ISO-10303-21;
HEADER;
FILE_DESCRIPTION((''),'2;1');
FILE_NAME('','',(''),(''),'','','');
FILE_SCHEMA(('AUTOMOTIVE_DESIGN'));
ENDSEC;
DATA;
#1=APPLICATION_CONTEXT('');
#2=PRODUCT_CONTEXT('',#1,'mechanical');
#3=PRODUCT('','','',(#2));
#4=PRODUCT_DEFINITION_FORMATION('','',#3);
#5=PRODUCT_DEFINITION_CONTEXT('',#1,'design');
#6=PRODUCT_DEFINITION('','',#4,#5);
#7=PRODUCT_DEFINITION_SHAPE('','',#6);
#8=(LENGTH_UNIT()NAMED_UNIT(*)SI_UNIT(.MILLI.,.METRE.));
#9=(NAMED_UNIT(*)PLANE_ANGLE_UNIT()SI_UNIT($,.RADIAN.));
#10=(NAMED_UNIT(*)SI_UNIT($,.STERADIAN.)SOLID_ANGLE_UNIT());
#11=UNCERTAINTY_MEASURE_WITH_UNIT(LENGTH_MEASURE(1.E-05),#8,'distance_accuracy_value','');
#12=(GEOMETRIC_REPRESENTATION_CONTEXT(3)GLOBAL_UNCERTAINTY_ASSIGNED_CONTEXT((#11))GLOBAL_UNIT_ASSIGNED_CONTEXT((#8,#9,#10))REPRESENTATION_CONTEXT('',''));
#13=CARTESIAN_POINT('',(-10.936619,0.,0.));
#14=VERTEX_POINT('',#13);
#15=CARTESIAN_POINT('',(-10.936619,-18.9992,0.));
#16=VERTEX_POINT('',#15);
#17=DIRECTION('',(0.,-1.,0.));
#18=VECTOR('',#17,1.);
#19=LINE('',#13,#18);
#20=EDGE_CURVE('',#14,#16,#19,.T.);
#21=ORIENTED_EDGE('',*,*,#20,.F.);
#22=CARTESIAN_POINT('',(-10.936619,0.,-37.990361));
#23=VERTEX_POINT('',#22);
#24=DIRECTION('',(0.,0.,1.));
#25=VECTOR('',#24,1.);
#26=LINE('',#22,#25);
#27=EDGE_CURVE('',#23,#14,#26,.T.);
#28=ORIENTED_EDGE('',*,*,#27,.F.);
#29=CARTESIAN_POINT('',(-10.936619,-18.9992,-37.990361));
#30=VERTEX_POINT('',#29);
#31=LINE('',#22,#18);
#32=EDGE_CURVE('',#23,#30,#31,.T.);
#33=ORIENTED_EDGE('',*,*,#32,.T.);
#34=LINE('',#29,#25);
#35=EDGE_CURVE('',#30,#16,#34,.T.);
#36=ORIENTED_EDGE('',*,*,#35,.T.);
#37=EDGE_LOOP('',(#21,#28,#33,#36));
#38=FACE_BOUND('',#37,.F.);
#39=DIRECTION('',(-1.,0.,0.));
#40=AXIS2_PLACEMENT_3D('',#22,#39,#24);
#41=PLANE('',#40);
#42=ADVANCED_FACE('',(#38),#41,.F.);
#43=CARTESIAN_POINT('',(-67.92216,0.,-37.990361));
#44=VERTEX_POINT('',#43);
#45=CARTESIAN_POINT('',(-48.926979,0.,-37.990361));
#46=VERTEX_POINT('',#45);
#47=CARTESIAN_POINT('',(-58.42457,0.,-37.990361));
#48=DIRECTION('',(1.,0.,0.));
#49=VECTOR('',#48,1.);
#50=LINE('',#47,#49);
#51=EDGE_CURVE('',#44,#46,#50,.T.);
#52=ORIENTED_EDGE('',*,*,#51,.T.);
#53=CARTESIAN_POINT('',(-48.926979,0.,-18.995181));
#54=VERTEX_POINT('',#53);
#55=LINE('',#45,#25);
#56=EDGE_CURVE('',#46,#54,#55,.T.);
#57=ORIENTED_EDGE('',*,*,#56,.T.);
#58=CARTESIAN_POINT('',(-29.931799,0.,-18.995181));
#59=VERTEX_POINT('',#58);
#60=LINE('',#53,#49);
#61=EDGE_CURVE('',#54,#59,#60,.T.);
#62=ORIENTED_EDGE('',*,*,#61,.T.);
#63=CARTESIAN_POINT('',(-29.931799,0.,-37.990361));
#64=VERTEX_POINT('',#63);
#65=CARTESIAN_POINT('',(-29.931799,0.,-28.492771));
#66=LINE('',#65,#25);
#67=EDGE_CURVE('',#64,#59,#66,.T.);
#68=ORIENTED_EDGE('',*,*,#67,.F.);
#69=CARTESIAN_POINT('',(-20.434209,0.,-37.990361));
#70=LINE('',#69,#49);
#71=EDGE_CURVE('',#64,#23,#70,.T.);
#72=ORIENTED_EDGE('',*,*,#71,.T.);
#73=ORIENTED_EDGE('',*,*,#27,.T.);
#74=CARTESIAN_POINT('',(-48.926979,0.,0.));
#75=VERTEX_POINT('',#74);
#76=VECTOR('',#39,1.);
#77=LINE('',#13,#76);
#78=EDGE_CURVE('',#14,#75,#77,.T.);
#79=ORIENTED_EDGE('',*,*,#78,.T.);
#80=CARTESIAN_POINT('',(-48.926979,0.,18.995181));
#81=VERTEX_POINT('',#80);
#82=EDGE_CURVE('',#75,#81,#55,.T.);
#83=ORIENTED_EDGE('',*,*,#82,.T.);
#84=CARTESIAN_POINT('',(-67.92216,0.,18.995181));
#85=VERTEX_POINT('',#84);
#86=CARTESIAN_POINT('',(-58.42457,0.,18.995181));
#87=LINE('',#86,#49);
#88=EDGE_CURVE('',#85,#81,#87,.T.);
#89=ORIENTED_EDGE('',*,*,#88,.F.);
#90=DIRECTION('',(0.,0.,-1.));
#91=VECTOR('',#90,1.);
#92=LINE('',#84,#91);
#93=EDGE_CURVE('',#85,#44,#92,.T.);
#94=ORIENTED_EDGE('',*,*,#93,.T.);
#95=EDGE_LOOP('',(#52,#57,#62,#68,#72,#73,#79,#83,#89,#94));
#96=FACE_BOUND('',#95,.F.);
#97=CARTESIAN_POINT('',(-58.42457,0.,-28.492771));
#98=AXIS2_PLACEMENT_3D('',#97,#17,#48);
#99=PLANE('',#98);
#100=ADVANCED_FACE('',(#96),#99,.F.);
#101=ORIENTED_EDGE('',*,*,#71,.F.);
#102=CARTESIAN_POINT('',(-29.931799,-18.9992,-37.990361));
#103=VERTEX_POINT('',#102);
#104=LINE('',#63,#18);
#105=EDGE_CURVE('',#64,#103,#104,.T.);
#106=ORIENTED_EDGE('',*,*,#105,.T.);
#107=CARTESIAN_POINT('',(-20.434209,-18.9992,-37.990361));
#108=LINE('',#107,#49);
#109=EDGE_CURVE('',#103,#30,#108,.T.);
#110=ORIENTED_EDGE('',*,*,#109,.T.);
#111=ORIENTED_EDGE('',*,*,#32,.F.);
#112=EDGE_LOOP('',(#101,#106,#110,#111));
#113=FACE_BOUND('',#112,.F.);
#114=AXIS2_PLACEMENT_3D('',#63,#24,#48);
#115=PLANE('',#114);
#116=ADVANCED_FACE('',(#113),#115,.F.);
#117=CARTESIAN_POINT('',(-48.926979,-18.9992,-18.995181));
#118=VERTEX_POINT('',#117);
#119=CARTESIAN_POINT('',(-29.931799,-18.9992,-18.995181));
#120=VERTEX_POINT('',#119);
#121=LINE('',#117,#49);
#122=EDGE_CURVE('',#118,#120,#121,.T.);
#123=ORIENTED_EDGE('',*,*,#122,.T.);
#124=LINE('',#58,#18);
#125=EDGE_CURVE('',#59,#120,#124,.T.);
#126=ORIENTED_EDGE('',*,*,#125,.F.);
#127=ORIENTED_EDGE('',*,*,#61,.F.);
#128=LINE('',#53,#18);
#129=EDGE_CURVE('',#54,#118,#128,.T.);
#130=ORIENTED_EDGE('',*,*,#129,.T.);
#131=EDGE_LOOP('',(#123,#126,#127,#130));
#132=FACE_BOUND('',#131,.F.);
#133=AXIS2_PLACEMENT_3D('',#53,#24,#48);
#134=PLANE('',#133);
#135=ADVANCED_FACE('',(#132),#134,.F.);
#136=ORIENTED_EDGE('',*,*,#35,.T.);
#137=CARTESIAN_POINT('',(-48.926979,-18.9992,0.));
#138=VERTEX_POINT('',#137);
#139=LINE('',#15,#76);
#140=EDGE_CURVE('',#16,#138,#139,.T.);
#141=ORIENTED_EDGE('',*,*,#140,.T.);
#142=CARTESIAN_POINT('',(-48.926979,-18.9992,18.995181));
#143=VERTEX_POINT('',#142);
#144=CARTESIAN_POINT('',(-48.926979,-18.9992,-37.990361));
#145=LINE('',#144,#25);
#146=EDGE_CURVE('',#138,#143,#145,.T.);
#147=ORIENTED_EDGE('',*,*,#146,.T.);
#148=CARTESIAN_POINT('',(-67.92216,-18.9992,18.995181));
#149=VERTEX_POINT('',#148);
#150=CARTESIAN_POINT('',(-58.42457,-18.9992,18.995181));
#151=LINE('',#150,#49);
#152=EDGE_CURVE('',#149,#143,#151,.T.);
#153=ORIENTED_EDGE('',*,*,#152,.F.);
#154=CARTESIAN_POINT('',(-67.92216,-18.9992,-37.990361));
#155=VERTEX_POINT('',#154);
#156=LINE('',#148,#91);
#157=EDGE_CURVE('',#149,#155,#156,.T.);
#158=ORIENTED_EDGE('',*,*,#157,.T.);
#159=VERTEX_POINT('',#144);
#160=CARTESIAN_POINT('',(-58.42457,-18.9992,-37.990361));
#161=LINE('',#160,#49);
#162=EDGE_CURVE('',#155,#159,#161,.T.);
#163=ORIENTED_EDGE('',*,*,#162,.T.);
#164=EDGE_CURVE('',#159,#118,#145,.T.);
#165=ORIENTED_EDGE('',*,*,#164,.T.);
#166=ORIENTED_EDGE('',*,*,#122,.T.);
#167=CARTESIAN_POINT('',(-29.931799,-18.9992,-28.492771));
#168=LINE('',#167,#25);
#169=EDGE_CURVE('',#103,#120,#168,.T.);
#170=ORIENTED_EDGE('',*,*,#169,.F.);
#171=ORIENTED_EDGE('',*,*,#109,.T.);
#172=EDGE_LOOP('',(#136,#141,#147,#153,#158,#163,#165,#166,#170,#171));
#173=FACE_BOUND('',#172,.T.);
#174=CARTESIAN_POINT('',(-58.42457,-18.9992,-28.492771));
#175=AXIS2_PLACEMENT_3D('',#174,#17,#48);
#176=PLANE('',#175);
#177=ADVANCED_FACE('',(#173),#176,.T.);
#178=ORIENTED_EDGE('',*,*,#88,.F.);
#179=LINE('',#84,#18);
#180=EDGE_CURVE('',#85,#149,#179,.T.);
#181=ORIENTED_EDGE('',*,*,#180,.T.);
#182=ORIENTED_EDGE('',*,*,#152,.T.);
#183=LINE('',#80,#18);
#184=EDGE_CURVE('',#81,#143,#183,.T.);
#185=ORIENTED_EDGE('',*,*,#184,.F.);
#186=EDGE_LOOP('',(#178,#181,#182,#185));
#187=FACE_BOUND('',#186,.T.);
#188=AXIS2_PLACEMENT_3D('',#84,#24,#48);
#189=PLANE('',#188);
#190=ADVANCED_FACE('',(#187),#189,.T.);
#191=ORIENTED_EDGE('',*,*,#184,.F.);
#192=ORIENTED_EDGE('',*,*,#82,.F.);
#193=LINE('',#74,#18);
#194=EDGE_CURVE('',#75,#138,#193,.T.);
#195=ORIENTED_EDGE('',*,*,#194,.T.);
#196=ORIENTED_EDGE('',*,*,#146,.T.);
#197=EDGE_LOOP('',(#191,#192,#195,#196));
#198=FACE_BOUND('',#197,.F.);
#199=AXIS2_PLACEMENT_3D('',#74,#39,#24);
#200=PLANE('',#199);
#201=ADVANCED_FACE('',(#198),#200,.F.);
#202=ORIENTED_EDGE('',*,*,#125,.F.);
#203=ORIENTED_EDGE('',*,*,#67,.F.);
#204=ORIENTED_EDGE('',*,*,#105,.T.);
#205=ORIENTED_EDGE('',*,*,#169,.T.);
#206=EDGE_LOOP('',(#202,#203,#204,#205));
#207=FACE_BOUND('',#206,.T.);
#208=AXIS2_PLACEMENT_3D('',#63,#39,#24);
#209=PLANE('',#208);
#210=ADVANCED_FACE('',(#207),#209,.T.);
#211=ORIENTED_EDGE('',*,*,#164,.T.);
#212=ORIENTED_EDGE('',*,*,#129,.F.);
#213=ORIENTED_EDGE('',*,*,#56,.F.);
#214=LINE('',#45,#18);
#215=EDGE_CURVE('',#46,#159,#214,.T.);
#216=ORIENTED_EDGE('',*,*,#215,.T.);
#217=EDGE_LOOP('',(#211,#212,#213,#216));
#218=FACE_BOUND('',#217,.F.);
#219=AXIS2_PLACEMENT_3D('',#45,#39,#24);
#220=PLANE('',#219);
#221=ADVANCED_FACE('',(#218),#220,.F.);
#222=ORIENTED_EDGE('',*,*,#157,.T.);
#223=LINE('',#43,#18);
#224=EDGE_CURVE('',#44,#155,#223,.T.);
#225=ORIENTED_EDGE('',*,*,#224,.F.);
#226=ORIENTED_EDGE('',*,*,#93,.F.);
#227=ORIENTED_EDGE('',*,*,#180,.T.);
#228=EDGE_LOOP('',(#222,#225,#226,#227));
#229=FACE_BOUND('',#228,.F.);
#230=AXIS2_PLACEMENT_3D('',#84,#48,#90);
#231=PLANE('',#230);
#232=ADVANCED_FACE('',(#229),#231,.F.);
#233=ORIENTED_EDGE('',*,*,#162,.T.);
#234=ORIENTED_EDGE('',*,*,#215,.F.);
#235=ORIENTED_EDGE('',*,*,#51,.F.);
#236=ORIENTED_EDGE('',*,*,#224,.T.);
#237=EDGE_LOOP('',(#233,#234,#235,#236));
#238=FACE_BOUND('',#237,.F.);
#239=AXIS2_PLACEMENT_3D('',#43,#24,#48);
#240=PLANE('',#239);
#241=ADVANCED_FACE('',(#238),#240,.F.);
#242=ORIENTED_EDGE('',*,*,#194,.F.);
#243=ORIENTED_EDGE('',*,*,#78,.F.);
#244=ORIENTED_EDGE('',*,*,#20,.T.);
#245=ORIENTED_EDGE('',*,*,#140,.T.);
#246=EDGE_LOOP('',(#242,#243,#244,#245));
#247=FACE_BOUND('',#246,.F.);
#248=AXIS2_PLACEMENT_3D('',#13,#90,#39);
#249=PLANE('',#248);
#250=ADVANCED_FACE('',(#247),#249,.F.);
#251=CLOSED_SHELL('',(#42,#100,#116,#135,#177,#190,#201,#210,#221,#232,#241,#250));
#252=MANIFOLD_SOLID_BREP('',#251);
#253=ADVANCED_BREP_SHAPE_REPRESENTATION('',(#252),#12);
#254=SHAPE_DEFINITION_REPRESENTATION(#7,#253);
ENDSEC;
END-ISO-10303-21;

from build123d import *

# Parameters (mm, degrees)
F0_W     = 18.9951807261
F0_H     = 18.9951807261
F0_W_2   = 18.9951797947
F1_DEPTH = 18.9992


with BuildPart() as f1:
    # F0 (on Front) → F1 (new body)
    with BuildSketch(Plane.XZ):
        with Locations((-58.4245696664, -28.4927710891)):
            Rectangle(F0_W, F0_H)
        with Locations((-58.4245696664, 9.497590363)):
            Rectangle(F0_W, F0_H)
        with Locations((-58.4245696664, -9.497590363)):
            Rectangle(F0_W, F0_H)
        with Locations((-39.4293889403, -9.497590363)):
            Rectangle(F0_W, F0_H)
        with Locations((-20.4342086799, -9.497590363)):
            Rectangle(F0_W_2, F0_H)
        with Locations((-20.4342086799, -28.4927710891)):
            Rectangle(F0_W_2, F0_H)
    extrude(amount=F1_DEPTH)


solid = f1.part
